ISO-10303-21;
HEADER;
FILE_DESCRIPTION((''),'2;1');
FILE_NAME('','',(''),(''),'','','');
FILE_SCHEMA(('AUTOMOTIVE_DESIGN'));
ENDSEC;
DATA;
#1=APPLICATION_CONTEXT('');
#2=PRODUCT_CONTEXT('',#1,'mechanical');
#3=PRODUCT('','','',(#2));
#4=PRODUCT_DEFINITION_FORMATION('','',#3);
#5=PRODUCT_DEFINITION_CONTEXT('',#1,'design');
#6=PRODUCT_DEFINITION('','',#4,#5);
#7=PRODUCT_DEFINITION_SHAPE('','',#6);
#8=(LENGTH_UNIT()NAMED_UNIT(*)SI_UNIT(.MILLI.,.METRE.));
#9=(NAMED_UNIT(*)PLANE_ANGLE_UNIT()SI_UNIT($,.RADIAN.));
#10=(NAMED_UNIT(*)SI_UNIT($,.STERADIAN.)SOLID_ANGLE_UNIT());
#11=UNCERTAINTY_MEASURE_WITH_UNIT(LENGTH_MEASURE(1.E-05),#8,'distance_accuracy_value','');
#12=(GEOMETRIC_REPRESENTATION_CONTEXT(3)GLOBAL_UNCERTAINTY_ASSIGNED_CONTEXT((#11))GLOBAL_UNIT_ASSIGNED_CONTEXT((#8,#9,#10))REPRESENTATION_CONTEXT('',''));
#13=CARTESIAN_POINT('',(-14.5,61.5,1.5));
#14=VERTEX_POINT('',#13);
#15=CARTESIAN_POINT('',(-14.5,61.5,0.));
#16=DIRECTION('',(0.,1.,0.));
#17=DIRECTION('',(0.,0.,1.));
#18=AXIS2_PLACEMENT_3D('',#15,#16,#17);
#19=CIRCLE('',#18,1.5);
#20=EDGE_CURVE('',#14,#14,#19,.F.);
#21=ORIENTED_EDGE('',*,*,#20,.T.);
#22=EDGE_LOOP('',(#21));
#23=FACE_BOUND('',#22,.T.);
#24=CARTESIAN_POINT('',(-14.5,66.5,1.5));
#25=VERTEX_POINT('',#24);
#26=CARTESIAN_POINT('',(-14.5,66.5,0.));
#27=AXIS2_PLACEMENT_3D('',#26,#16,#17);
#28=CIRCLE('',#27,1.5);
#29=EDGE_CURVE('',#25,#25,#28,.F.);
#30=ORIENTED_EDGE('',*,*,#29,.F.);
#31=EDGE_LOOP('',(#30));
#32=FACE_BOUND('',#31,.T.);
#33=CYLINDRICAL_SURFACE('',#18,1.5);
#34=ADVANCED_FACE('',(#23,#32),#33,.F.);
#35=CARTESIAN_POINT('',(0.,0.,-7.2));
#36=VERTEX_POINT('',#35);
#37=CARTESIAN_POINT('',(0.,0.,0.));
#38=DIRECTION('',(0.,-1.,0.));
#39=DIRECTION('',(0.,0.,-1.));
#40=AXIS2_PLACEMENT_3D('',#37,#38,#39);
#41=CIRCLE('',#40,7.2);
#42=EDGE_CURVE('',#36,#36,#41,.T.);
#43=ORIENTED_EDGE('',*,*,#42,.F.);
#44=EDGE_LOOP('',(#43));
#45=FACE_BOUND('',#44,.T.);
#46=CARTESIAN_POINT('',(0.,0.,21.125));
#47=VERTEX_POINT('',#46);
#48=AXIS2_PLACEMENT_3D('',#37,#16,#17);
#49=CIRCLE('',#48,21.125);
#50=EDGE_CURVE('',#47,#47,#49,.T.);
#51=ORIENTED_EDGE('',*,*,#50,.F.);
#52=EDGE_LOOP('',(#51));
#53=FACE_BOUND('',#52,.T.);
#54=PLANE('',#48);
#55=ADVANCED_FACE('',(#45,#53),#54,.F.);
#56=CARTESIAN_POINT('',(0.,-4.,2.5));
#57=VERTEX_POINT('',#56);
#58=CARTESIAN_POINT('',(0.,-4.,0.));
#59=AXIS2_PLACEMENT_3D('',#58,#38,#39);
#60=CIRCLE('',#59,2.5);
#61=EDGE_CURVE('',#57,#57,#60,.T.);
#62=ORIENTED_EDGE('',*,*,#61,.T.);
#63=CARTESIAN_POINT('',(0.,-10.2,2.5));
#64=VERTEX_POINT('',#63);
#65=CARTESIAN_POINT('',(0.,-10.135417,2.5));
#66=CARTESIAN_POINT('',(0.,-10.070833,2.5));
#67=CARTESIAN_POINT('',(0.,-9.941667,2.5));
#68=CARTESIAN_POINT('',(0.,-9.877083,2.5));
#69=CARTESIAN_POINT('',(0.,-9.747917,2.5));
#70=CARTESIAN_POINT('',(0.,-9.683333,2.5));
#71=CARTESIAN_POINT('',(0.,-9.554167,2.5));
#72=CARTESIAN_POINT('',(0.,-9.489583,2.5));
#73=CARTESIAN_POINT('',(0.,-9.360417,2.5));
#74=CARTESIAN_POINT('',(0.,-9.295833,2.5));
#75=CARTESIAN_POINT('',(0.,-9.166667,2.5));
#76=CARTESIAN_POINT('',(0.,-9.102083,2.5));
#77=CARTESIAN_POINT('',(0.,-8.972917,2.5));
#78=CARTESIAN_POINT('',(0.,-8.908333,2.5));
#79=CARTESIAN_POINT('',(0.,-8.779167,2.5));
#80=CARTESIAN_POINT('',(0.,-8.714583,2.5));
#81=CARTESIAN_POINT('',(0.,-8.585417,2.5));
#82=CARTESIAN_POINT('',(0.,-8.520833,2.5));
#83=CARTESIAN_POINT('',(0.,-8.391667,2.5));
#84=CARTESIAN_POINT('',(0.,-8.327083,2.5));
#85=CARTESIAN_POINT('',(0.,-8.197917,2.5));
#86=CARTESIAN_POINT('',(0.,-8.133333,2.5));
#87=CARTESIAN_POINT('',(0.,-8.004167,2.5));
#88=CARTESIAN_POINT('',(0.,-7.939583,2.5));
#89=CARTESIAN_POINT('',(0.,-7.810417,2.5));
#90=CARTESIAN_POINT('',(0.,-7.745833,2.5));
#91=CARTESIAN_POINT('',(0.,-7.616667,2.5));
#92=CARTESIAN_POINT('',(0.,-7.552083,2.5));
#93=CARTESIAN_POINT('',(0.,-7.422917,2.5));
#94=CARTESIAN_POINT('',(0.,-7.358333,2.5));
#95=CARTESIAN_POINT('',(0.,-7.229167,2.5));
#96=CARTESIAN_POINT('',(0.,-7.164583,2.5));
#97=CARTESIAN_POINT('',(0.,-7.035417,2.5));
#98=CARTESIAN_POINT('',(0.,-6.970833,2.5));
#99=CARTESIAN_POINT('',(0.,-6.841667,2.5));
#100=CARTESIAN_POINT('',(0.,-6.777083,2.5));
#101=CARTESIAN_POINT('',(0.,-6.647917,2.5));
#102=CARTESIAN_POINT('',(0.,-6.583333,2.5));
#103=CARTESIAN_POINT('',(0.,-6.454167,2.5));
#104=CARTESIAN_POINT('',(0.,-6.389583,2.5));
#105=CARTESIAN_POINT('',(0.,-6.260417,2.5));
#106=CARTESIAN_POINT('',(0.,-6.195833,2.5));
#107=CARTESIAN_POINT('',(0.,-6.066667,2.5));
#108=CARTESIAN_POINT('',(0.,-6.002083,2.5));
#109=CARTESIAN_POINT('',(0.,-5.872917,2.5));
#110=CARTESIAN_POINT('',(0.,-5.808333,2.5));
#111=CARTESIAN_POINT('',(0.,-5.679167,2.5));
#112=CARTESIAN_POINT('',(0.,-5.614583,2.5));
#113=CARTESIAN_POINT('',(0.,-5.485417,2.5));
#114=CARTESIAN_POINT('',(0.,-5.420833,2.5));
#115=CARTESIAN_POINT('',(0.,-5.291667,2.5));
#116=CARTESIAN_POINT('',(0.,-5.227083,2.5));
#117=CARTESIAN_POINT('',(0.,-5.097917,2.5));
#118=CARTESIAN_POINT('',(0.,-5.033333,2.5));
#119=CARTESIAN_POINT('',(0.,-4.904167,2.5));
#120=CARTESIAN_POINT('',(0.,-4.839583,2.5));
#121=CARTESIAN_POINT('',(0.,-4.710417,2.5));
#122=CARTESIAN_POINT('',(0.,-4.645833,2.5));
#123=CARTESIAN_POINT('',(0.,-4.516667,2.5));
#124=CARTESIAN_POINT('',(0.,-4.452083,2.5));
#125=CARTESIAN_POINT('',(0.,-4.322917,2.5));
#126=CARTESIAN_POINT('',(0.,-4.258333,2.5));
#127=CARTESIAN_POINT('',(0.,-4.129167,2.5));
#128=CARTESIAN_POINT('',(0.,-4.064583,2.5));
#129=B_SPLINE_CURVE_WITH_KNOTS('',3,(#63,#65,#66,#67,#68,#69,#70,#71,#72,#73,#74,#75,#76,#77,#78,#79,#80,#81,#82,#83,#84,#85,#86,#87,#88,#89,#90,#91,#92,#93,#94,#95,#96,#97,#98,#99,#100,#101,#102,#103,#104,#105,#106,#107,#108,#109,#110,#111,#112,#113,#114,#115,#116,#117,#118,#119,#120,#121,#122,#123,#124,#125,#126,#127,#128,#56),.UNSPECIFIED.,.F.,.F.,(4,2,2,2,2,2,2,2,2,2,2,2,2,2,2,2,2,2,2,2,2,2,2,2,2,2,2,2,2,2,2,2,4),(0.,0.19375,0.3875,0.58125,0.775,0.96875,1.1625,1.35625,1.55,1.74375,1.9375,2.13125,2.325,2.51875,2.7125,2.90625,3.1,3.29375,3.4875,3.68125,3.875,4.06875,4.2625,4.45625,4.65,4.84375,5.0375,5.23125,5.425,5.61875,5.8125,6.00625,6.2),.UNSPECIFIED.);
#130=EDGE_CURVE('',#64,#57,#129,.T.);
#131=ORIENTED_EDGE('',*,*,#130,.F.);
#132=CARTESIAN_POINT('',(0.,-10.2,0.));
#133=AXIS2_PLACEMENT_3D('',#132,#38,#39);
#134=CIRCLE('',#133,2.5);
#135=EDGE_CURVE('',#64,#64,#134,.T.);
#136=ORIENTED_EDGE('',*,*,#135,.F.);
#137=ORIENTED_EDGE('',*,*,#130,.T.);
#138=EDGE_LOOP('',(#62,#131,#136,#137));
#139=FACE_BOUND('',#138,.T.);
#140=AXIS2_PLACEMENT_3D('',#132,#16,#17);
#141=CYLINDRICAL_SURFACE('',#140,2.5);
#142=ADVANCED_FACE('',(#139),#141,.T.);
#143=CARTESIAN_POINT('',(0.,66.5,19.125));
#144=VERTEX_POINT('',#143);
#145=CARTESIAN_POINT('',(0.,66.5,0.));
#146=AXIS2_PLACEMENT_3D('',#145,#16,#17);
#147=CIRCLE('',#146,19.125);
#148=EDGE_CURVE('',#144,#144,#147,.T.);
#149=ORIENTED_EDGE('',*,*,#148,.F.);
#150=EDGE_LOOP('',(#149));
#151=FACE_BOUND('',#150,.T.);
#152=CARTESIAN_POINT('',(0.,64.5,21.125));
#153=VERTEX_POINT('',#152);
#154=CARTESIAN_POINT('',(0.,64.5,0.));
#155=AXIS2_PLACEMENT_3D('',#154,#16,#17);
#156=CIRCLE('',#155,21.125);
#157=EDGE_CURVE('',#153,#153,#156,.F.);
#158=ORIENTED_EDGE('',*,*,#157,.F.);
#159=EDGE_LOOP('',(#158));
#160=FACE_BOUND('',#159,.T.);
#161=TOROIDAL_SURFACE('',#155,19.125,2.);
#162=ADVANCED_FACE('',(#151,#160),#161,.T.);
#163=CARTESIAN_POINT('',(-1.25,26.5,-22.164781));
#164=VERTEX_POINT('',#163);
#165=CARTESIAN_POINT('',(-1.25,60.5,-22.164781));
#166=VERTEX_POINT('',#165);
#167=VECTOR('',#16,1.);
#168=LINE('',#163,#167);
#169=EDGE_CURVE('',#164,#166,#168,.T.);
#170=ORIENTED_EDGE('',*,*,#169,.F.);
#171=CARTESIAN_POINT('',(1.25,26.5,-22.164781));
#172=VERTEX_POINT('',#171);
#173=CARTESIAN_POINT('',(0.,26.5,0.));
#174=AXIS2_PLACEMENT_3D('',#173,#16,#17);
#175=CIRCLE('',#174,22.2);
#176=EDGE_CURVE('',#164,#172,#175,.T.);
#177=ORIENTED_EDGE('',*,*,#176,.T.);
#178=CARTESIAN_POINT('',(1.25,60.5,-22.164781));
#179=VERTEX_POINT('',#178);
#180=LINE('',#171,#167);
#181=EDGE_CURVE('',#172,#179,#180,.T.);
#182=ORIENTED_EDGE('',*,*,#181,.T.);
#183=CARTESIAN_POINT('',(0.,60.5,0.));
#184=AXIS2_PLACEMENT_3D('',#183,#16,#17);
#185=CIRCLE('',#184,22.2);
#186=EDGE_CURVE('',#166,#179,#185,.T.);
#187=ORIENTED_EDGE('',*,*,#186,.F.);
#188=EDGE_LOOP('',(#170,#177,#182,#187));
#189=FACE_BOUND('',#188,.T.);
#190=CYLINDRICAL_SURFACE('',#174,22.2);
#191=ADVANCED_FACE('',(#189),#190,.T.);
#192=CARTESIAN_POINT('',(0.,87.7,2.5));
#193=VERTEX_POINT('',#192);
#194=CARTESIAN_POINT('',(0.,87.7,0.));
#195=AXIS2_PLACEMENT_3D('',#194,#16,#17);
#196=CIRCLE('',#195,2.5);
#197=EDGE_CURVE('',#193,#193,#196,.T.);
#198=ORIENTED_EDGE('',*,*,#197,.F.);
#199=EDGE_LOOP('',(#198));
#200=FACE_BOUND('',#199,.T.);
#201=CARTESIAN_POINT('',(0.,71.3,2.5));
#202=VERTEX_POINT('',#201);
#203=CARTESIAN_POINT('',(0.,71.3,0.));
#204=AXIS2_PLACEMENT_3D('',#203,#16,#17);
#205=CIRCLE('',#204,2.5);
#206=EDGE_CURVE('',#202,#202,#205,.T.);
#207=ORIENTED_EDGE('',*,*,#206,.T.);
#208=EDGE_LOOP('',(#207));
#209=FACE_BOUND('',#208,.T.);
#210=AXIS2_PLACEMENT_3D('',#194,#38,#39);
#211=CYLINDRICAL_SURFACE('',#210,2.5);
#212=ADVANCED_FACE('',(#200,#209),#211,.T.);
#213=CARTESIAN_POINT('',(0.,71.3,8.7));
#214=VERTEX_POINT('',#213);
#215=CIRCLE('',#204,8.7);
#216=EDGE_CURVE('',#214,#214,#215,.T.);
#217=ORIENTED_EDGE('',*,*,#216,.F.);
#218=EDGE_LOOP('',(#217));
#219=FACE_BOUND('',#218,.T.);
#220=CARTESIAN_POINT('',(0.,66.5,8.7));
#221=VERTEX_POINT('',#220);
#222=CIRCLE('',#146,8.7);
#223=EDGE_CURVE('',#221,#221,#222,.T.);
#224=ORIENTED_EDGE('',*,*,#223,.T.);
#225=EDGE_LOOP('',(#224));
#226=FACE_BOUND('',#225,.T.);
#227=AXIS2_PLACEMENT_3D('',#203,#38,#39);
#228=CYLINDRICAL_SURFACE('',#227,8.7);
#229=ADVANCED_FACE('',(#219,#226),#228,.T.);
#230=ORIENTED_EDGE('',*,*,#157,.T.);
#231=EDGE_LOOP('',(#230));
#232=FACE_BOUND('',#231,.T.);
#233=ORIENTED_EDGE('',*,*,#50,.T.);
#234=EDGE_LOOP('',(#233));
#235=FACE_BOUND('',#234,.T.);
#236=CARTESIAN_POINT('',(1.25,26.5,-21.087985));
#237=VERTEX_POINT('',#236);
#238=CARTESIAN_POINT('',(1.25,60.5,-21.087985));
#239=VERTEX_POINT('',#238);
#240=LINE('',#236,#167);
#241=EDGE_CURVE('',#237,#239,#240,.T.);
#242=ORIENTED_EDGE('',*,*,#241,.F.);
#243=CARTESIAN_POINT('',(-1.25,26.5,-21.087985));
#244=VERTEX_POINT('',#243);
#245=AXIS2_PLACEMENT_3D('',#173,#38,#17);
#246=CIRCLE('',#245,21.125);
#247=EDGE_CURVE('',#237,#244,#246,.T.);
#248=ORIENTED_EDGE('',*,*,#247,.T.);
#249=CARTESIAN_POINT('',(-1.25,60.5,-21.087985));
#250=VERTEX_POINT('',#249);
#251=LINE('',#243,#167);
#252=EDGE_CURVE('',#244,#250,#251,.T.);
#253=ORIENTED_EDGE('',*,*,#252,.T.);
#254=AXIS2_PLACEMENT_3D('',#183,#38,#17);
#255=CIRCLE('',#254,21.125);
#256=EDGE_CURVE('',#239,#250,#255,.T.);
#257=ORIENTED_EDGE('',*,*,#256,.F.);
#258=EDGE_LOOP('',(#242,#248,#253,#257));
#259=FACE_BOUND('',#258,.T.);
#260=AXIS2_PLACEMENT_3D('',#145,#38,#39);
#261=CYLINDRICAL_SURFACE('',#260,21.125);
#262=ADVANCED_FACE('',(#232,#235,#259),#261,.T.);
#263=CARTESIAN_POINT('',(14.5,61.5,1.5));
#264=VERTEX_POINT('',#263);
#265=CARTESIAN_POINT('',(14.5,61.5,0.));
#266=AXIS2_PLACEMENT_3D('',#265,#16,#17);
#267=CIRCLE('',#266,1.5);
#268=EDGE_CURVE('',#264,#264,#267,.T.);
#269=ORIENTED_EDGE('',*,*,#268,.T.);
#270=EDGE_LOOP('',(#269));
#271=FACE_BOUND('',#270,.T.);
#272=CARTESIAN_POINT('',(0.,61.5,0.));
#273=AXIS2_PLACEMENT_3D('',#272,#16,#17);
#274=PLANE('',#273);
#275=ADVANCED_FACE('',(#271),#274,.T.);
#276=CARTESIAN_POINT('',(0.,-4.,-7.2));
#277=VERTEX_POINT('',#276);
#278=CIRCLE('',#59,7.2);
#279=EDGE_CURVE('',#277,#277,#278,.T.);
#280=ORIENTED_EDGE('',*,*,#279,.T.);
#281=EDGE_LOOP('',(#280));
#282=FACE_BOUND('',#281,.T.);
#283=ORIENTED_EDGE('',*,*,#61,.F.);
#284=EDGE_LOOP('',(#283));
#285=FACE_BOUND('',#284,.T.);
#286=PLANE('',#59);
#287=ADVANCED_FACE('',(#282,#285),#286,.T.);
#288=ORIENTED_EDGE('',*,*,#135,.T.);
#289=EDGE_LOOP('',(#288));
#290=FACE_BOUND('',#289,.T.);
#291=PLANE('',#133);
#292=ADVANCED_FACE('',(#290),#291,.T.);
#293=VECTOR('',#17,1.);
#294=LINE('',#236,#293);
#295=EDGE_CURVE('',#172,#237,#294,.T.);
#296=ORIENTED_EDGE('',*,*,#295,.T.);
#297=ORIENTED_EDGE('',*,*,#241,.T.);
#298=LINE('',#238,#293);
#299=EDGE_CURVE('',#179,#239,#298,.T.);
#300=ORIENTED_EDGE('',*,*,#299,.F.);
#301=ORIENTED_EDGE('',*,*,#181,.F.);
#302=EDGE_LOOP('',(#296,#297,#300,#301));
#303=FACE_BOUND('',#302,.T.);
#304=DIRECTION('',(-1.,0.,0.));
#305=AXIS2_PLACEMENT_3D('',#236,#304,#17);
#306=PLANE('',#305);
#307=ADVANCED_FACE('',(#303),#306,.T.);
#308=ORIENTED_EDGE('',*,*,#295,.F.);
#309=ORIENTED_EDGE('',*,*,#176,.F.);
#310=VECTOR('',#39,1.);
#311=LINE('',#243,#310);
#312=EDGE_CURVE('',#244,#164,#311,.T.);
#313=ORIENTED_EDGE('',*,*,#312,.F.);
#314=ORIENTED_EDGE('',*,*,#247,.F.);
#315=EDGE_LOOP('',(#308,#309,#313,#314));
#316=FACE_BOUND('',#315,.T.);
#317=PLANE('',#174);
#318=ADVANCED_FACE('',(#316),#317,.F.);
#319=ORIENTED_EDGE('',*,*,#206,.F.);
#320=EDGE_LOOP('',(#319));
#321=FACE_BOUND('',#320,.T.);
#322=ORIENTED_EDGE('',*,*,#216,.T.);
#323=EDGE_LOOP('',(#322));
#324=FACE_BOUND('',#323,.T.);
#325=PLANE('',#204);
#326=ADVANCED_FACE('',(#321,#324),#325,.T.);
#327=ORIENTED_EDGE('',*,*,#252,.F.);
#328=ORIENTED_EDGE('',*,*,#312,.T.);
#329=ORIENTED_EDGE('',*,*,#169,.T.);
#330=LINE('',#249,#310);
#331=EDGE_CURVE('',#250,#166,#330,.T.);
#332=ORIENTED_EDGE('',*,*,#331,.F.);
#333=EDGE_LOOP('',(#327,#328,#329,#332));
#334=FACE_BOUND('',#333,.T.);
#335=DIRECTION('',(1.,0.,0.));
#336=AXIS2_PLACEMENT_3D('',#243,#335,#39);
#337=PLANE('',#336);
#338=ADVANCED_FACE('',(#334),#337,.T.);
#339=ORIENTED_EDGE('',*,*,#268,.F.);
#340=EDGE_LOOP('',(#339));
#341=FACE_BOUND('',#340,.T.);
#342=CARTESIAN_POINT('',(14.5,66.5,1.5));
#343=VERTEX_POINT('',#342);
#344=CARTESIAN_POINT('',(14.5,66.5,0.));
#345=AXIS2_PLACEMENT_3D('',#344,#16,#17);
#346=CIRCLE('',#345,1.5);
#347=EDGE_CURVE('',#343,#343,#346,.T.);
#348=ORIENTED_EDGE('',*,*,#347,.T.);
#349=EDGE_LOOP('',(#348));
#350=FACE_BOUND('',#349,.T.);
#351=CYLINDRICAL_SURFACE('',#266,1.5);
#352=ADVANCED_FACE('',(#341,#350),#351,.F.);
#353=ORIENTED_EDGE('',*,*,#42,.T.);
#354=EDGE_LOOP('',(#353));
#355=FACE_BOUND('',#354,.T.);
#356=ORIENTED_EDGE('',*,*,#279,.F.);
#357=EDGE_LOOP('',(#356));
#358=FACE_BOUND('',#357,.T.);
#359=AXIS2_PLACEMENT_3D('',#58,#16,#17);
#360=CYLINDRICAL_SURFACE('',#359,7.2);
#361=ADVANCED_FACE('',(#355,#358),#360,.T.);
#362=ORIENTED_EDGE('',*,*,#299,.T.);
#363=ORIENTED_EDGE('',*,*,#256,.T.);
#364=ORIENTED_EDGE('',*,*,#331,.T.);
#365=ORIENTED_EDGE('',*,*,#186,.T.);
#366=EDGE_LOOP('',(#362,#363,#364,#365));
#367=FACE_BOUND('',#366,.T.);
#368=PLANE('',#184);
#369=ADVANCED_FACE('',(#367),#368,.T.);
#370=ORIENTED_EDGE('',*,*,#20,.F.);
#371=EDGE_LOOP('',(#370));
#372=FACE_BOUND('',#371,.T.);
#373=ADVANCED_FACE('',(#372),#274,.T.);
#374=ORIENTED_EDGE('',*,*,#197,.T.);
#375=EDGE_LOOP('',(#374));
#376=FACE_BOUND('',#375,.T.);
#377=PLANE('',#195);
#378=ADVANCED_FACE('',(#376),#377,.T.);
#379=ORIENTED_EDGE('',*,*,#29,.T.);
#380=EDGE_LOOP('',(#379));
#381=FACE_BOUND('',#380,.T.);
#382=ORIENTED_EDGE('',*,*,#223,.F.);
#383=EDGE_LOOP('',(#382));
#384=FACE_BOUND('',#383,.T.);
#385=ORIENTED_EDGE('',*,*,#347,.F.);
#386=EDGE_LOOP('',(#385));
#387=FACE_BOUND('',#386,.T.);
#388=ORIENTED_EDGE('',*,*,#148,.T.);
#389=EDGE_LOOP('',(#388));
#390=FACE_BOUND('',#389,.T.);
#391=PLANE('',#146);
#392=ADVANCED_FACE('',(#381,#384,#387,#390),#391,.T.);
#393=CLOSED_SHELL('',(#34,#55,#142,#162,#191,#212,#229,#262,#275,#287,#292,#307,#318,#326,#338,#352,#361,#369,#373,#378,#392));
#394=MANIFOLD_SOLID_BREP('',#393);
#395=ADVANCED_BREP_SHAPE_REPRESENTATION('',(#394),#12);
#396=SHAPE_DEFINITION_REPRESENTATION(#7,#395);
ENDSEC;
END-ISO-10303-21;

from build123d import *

# Parameters (mm, degrees)
SKETCH1_R           = 21.125
BOSS_EXTRUDE1_DEPTH = 66.5
SKETCH2_R           = 7.2
BOSS_EXTRUDE2_DEPTH = 4
SKETCH3_R           = 2.5
BOSS_EXTRUDE3_DEPTH = 6.2
SKETCH4_R           = 8.7
BOSS_EXTRUDE4_DEPTH = 4.8
BOSS_EXTRUDE5_START = 16.4
SKETCH5_R           = 2.5
BOSS_EXTRUDE5_DEPTH = 16.4
SKETCH6_R           = 1.5
CUT_EXTRUDE1_DEPTH  = 5
BOSS_EXTRUDE6_START = -40
BOSS_EXTRUDE6_DEPTH = 40
CUT_EXTRUDE2_START  = -6
CUT_EXTRUDE2_DEPTH  = 6
FILLET1_R           = 2


with BuildPart() as part:
    # Sketch1 → Boss-Extrude1 (new body)
    with BuildSketch(Plane(origin=(0, 0, 0), x_dir=(1, 0, 0), z_dir=(0, 1, 0))):
        with Locations(Location((0, 0, 0), (0, 0, 270))):
            Circle(SKETCH1_R)
    extrude(amount=BOSS_EXTRUDE1_DEPTH)

    # Sketch2 → Boss-Extrude2 (add)
    with BuildSketch(Plane.XZ):
        with Locations(Location((0, 0, 0), (0, 0, 270))):
            Circle(SKETCH2_R)
    extrude(amount=BOSS_EXTRUDE2_DEPTH)

    # Sketch3 → Boss-Extrude3 (add)
    with BuildSketch(Plane.XZ.offset(4)):
        with Locations(Location((0, 0, 0), (0, 0, 90))):
            Circle(SKETCH3_R)
    extrude(amount=BOSS_EXTRUDE3_DEPTH)

    # Sketch4 → Boss-Extrude4 (add)
    with BuildSketch(Plane(origin=(0, 66.5, 0), x_dir=(1, 0, 0), z_dir=(0, 1, 0))):
        with Locations(Location((0, 0, 0), (0, 0, 270))):
            Circle(SKETCH4_R)
    extrude(amount=BOSS_EXTRUDE4_DEPTH)

    # Sketch5 → Boss-Extrude5 (add)
    with BuildSketch(Plane(origin=(0, 71.3, 0), x_dir=(1, 0, 0), z_dir=(0, 1, 0)).offset(BOSS_EXTRUDE5_START)):
        with Locations(Location((0, 0, 0), (0, 0, 270))):
            Circle(SKETCH5_R)
    extrude(amount=-BOSS_EXTRUDE5_DEPTH)

    # Sketch6 → Cut-Extrude1 (cut)
    with BuildSketch(Plane(origin=(0, 66.5, 0), x_dir=(1, 0, 0), z_dir=(0, 1, 0))):
        with Locations(Location((14.5, 0, 0), (0, 0, 270))):
            Circle(SKETCH6_R)
        with Locations(Location((-14.5, 0, 0), (0, 0, 270))):
            Circle(SKETCH6_R)
    extrude(amount=-CUT_EXTRUDE1_DEPTH, mode=Mode.SUBTRACT)

    # Sketch7 → Boss-Extrude6 (add)
    with BuildSketch(Plane(origin=(0, 66.5, 0), x_dir=(1, 0, 0), z_dir=(0, 1, 0)).offset(BOSS_EXTRUDE6_START)):
        with BuildLine():
            Line((1.25, 21.087985323), (1.25, 22.164780622))
            ThreePointArc((1.25, 22.164780622), (0, -22.2), (-1.25, 22.164780622))
            Line((-1.25, 22.164780622), (-1.25, 21.087985323))
            ThreePointArc((-1.25, 21.087985323), (0, -21.125), (1.25, 21.087985323))
        make_face()
    extrude(amount=BOSS_EXTRUDE6_DEPTH)

    # Sketch7<3> → Cut-Extrude2 (cut)
    with BuildSketch(Plane(origin=(0, 66.5, 0), x_dir=(1, 0, 0), z_dir=(0, 1, 0)).offset(CUT_EXTRUDE2_START)):
        with BuildLine():
            Line((1.25, 21.087985323), (1.25, 22.164780622))
            ThreePointArc((1.25, 22.164780622), (0, -22.2), (-1.25, 22.164780622))
            Line((-1.25, 22.164780622), (-1.25, 21.087985323))
            ThreePointArc((-1.25, 21.087985323), (0, -21.125), (1.25, 21.087985323))
        make_face()
    extrude(amount=CUT_EXTRUDE2_DEPTH, mode=Mode.SUBTRACT)

    # Fillet1
    fillet1_edges = [part.edges().sort_by_distance(p)[0] for p in [
        (1.25, 66.5, 21.087985323),
    ]]
    fillet(fillet1_edges, radius=FILLET1_R)


solid = part.part
